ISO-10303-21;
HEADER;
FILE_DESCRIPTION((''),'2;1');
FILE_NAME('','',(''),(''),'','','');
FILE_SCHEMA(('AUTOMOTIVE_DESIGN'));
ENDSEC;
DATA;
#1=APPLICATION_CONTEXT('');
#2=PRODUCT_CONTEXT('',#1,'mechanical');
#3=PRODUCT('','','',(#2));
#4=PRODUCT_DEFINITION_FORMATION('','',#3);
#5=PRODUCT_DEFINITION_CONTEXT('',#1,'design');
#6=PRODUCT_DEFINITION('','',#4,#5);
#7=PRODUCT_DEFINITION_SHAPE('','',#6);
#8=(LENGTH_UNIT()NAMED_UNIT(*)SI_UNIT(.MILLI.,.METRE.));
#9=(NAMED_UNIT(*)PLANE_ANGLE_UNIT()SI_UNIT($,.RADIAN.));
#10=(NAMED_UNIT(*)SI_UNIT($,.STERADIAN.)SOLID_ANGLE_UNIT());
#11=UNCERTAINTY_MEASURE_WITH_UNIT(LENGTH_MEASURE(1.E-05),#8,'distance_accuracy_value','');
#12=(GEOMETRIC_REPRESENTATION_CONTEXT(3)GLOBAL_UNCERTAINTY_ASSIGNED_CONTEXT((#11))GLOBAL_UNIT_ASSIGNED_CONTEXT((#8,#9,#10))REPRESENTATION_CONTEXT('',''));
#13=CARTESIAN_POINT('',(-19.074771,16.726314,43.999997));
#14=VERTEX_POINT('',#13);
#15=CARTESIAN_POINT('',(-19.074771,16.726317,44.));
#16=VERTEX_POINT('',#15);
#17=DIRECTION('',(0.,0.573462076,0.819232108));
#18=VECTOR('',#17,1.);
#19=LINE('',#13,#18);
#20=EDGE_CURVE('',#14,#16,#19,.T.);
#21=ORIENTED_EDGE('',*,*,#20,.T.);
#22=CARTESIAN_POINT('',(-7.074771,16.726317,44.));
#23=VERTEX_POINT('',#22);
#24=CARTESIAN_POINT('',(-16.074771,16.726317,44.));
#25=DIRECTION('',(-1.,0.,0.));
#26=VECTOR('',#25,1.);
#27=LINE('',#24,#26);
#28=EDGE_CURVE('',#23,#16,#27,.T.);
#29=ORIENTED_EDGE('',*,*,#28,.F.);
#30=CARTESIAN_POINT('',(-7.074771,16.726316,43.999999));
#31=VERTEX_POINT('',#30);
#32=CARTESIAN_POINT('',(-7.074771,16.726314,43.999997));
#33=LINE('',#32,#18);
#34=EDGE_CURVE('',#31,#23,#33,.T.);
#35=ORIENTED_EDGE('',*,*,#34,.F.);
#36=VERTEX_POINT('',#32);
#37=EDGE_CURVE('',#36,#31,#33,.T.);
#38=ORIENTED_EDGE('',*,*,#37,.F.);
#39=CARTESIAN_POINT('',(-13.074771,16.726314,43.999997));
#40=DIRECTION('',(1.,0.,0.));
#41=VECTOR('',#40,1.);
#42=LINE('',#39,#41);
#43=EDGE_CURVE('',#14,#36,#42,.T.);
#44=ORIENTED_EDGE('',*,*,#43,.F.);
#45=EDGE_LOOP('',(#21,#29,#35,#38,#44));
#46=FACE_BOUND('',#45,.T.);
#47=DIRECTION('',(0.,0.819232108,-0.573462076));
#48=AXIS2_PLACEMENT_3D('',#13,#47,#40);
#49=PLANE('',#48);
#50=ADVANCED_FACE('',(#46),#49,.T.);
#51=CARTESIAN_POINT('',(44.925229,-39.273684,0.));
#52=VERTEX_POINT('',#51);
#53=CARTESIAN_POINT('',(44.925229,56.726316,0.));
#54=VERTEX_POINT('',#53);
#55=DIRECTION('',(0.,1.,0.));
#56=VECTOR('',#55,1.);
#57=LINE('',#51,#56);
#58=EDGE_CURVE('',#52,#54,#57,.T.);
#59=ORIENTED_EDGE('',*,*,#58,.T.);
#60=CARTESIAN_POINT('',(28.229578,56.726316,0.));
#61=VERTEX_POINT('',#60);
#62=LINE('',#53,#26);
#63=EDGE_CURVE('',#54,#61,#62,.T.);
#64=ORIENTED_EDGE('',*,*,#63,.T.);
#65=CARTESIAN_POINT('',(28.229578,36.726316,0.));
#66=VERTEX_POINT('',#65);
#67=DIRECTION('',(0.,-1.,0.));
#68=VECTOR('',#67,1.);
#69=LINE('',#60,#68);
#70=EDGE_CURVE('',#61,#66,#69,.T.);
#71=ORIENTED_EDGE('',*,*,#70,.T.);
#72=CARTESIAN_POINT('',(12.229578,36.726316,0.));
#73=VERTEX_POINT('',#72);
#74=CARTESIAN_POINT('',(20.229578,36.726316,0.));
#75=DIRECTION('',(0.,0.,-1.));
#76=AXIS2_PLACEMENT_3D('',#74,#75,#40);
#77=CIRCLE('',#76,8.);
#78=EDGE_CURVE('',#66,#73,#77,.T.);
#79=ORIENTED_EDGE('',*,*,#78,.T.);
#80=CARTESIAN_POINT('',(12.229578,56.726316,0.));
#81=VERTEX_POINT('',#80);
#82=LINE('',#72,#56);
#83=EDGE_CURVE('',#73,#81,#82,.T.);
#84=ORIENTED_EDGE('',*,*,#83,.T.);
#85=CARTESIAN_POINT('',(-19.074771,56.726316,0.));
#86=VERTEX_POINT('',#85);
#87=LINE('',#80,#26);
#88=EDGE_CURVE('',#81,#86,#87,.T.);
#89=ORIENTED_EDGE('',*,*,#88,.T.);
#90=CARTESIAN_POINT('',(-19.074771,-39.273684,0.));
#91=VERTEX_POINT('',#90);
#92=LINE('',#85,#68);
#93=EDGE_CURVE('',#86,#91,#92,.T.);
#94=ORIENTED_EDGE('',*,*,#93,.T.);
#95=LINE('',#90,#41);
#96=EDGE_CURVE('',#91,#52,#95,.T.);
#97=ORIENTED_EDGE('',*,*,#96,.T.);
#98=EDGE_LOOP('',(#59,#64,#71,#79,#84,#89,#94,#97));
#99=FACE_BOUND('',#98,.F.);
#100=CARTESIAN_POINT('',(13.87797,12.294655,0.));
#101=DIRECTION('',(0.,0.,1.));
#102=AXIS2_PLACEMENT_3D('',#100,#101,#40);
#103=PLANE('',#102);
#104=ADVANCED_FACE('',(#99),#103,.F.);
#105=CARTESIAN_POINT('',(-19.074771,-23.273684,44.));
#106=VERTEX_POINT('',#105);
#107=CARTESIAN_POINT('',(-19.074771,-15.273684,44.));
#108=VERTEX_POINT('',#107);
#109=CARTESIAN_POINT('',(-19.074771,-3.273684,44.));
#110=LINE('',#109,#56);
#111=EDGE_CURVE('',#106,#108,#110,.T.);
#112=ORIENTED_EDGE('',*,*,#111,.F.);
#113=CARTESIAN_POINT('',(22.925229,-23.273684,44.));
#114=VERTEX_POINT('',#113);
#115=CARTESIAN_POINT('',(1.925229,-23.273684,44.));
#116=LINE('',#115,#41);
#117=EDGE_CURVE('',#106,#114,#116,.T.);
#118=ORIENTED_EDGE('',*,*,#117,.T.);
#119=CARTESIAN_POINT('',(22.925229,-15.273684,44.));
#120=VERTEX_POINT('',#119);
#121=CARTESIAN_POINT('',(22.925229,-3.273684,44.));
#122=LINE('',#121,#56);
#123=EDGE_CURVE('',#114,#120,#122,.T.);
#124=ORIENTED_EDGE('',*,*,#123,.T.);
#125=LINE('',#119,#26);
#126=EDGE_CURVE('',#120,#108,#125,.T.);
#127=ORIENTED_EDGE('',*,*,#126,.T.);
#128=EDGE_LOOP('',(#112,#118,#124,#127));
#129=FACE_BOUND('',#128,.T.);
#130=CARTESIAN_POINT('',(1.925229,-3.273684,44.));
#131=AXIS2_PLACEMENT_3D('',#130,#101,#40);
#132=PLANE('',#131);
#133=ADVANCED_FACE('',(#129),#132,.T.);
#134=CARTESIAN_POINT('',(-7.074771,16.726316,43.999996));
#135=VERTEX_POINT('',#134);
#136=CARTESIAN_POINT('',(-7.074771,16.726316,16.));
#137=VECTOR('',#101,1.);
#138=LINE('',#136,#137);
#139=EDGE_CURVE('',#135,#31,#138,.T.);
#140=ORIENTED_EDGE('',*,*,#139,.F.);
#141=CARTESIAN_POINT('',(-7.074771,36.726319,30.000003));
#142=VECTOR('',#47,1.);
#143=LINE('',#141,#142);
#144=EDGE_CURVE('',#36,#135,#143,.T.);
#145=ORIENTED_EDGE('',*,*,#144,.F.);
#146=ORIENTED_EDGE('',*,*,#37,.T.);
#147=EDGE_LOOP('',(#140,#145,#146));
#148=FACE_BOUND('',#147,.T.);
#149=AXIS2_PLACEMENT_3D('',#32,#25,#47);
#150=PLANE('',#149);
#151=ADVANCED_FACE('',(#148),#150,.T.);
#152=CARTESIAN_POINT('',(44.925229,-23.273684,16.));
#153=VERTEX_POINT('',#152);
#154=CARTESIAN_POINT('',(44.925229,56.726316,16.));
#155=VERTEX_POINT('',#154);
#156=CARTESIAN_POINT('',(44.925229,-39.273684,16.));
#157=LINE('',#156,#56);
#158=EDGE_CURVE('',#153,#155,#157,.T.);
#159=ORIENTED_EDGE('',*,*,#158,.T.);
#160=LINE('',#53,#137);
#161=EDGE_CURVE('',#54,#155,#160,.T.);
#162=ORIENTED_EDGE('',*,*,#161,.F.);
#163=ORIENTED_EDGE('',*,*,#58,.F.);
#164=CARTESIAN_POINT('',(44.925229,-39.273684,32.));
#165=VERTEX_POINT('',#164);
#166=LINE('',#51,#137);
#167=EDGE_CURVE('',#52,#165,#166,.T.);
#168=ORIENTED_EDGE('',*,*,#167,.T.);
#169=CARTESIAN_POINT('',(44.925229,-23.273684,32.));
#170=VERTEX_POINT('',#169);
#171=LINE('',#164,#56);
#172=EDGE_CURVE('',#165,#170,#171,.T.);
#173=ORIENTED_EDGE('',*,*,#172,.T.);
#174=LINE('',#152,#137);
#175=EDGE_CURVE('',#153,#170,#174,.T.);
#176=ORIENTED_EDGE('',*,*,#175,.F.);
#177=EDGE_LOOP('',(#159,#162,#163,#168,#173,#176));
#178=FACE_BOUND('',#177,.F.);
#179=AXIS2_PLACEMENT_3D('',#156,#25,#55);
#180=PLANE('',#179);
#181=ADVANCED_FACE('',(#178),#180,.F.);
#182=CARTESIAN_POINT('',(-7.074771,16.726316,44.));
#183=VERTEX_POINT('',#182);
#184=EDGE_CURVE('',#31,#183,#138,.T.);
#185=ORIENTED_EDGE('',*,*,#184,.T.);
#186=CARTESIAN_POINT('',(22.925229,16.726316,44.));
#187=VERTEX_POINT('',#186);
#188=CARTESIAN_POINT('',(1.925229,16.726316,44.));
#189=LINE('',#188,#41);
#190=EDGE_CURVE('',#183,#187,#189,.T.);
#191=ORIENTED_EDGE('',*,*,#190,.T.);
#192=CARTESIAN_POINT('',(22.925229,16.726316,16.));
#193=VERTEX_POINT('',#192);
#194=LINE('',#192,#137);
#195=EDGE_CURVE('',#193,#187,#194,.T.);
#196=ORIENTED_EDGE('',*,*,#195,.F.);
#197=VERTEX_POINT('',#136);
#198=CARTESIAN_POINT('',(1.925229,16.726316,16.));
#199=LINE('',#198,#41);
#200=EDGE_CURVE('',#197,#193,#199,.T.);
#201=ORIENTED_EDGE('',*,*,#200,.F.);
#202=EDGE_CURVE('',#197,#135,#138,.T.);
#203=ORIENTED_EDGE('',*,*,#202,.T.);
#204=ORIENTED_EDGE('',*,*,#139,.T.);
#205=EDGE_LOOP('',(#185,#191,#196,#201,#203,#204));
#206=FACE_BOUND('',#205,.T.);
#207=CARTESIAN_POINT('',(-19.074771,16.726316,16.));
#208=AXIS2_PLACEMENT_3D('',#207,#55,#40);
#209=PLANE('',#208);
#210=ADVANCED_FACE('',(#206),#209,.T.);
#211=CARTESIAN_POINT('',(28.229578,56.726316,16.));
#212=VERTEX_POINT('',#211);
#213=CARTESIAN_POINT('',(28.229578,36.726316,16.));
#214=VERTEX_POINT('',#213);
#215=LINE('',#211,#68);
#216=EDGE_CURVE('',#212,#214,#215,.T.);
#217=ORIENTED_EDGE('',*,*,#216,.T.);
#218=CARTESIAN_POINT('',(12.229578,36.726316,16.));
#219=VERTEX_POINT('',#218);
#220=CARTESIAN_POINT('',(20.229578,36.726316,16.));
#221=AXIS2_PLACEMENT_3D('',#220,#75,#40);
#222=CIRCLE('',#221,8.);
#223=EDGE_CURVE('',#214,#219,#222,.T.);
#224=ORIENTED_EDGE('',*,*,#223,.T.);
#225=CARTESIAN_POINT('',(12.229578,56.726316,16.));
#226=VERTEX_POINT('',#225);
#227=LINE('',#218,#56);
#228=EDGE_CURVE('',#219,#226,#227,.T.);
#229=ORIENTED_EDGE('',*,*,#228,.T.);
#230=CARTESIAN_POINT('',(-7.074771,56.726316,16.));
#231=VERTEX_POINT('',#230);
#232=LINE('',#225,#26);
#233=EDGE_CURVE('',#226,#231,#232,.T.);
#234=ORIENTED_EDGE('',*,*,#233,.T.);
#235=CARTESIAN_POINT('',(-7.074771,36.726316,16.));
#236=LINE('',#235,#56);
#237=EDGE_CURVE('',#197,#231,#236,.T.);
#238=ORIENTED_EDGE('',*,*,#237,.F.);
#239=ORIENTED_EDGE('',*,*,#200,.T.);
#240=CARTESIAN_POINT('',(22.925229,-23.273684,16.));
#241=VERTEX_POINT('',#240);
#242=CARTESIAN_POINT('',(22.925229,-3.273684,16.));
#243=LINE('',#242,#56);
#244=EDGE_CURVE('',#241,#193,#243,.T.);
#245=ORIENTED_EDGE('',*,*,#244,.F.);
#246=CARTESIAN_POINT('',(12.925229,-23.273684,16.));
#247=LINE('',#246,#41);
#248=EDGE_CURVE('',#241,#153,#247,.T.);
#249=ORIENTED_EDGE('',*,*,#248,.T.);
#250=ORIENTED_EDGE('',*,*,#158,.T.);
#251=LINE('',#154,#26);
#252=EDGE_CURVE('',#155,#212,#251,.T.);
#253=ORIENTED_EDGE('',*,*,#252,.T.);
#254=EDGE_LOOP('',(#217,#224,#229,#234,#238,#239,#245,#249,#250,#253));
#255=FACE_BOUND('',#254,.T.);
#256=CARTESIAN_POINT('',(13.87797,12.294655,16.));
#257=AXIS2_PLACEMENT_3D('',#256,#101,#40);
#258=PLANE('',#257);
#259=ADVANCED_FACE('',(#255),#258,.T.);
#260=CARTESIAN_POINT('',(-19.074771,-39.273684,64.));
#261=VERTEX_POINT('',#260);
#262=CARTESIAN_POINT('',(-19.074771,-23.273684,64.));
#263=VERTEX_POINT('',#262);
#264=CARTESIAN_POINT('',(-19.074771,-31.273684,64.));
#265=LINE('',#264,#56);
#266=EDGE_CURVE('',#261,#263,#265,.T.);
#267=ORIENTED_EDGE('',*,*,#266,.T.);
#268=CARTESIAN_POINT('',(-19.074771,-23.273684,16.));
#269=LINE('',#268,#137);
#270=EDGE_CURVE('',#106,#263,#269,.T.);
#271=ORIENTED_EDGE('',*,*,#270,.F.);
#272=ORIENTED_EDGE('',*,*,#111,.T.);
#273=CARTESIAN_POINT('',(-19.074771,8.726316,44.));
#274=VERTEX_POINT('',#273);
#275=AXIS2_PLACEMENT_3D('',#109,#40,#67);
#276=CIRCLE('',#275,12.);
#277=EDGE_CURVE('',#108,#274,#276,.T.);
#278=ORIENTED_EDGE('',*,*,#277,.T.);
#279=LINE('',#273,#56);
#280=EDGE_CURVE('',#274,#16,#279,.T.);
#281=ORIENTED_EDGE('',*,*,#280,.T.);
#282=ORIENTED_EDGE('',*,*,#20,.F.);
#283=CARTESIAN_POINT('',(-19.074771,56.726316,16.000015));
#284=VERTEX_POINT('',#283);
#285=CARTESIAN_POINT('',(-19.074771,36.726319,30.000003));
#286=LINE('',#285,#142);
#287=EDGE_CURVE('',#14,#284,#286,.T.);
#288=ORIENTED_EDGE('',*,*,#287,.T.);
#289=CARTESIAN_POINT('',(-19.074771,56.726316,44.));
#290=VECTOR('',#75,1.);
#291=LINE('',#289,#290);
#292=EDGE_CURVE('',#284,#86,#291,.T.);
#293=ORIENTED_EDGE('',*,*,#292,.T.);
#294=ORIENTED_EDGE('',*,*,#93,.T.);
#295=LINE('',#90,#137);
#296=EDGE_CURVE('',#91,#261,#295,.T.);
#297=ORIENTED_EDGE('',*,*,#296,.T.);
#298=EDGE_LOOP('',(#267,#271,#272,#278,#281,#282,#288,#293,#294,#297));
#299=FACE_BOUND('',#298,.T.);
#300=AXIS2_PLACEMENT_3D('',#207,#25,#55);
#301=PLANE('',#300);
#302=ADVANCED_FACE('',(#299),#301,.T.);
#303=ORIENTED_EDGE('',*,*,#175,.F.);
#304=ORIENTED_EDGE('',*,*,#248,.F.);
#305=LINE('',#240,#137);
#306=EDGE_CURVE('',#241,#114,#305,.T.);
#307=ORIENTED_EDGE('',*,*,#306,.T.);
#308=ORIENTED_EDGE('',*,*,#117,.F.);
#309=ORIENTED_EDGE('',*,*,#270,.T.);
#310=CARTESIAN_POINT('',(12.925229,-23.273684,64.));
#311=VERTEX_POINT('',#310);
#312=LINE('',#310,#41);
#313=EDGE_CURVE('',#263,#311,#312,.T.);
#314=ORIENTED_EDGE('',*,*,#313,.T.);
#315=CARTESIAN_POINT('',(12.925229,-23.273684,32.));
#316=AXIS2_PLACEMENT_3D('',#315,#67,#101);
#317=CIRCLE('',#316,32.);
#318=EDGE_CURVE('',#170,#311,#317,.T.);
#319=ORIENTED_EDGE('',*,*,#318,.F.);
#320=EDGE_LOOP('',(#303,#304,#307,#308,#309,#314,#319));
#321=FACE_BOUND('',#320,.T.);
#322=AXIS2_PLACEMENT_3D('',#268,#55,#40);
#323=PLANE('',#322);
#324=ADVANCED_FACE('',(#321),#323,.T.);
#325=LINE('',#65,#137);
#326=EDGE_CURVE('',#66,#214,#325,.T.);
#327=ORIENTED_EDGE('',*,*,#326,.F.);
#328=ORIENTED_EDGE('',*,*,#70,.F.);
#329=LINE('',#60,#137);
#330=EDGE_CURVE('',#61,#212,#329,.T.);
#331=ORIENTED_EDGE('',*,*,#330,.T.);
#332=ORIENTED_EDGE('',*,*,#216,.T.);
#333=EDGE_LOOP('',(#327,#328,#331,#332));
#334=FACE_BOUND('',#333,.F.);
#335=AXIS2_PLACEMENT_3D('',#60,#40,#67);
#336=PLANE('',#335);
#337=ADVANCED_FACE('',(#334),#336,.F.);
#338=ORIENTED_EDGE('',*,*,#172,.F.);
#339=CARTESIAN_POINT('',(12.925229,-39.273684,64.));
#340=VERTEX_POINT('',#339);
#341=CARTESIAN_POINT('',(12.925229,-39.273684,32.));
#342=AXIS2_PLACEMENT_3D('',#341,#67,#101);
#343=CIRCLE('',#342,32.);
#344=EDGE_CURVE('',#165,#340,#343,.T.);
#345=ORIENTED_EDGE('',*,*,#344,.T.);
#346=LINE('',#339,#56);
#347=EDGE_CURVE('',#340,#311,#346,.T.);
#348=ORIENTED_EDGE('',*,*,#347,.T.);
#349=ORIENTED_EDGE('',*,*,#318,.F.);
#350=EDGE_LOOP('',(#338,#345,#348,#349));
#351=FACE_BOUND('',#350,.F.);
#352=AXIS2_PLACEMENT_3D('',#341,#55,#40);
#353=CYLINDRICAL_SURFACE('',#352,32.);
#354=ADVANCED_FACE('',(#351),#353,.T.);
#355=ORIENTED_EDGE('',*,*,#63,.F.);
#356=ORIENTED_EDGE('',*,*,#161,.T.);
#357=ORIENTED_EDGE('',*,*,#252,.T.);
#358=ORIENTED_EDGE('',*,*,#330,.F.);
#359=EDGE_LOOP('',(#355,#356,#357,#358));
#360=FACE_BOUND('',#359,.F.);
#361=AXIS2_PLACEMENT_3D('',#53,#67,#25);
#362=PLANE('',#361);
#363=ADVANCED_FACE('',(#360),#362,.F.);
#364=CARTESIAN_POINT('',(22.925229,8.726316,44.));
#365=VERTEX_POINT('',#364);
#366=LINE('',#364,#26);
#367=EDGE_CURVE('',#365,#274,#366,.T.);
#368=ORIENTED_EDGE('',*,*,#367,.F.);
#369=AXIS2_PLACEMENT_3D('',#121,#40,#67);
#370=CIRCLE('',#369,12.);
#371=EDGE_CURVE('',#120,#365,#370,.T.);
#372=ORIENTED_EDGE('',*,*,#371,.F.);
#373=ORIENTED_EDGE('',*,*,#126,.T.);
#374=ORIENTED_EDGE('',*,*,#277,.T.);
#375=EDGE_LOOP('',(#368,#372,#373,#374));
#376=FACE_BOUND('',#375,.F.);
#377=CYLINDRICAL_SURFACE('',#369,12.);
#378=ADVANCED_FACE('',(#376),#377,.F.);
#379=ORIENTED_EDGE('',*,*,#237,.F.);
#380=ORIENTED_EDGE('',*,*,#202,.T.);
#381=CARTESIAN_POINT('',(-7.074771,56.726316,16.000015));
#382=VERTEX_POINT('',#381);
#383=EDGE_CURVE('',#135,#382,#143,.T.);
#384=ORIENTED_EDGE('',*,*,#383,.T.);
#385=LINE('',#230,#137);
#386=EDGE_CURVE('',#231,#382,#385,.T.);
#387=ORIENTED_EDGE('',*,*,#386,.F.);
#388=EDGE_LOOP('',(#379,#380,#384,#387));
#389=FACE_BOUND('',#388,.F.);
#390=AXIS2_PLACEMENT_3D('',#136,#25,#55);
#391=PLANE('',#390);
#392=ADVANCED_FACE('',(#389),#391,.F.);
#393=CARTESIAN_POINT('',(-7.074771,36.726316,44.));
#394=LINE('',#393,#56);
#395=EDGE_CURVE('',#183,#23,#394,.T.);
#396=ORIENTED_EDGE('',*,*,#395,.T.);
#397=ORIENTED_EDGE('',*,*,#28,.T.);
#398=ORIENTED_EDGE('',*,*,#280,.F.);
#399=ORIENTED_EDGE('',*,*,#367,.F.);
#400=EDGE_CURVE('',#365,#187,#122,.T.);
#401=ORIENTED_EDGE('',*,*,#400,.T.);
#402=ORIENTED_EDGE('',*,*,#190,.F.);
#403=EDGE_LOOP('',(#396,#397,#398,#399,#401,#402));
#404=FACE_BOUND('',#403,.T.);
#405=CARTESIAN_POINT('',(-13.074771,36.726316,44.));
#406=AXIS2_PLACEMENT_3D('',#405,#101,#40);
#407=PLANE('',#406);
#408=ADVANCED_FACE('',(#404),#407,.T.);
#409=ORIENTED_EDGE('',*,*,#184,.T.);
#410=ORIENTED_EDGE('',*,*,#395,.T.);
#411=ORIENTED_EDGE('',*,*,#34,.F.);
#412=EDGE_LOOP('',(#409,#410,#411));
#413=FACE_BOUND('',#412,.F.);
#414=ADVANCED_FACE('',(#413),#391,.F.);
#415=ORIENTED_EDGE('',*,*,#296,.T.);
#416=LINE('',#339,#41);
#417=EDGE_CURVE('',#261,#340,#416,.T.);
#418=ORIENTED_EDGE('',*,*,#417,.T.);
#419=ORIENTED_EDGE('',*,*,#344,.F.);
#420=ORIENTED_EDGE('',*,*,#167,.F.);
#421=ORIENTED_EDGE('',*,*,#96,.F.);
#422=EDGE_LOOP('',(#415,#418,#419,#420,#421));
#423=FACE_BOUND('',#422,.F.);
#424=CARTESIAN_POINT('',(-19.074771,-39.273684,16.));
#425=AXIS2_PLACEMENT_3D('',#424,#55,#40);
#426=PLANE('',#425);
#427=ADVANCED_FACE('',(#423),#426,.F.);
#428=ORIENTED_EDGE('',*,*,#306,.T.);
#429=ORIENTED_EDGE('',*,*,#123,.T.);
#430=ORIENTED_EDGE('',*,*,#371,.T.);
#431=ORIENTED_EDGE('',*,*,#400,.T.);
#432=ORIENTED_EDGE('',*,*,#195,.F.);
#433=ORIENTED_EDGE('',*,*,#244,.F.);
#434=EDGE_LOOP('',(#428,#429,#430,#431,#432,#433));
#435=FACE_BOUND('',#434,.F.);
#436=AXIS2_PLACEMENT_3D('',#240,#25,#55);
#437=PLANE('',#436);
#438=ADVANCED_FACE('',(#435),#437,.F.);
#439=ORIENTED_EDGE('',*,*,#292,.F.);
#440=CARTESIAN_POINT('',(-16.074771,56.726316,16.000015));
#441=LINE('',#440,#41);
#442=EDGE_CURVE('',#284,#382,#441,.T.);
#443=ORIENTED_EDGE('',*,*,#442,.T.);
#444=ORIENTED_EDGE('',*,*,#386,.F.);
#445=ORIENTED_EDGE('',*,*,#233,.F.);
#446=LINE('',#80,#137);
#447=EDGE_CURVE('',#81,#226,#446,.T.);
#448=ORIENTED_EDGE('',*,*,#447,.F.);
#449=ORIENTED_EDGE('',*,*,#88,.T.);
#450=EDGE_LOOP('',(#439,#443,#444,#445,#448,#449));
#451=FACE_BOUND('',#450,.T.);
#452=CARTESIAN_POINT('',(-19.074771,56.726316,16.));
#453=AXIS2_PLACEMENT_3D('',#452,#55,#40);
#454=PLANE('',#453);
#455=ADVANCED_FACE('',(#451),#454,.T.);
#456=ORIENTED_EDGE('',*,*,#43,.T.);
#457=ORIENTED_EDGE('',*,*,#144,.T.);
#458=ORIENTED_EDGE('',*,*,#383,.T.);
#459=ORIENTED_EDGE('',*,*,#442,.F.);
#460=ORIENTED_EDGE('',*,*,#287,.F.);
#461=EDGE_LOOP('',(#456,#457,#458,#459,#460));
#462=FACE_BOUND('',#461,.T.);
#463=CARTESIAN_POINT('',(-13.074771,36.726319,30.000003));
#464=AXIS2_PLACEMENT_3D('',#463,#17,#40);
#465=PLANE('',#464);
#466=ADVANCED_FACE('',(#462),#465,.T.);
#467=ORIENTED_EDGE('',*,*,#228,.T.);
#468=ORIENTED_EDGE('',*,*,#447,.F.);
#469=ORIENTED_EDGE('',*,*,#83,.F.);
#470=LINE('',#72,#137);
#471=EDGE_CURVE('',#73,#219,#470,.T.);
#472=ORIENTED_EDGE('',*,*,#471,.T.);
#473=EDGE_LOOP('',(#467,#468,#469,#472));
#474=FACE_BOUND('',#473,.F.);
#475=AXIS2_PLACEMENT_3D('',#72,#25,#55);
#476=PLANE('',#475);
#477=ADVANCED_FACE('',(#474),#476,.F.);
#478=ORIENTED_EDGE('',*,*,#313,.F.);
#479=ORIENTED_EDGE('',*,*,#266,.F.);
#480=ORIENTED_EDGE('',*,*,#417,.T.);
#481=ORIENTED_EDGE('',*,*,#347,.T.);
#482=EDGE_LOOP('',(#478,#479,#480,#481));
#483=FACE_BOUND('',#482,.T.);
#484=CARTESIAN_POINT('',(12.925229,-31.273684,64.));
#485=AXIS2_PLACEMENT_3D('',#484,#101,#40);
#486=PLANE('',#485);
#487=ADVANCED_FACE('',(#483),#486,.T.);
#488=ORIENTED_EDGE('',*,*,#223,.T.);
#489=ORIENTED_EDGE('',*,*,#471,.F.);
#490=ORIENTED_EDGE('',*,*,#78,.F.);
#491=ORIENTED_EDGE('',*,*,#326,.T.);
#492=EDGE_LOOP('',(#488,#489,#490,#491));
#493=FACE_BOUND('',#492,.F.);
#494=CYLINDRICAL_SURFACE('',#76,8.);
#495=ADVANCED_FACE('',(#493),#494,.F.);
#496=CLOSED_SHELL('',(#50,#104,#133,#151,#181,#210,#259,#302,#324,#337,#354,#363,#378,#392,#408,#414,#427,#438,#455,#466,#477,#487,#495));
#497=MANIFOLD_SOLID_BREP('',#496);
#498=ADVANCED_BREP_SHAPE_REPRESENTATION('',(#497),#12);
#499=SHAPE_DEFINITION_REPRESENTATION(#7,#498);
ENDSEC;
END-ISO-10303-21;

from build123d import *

# Parameters (mm, degrees)
F1_DEPTH  = 16
F2_W      = 64
F2_H      = 16
F3_DEPTH  = 48
F4_R      = 32
F5_W      = 42
F5_H      = 40
F6_DEPTH  = 28
F8_DEPTH  = 50
F9_W      = 12
F9_H      = 40
F10_DEPTH = 28
F12_W     = 12
F12_H     = 48.826222
F13_DEPTH = 25


with BuildPart() as f1:
    # F0 (on Top) → F1 (new body)
    with BuildSketch(Plane.XY):
        with BuildLine():
            Line((-19.074771, -39.273684), (44.925229, -39.273684))
            Line((44.925229, -39.273684), (44.925229, 56.726316))
            Line((44.925229, 56.726316), (28.229578, 56.726316))
            Line((28.229578, 56.726316), (28.229578, 36.726316))
            ThreePointArc((28.229578, 36.726316), (20.229578, 28.726316), (12.229578, 36.726316))
            Line((12.229578, 36.726316), (12.229578, 56.726316))
            Line((12.229578, 56.726316), (-19.074771, 56.726316))
            Line((-19.074771, 56.726316), (-19.074771, -39.273684))
        make_face()
    extrude(amount=F1_DEPTH)

    # F2 (on face) → F3 (join)
    with BuildSketch(Plane.XY.offset(16)):
        with Locations((12.925229, -31.273684)):
            Rectangle(F2_W, F2_H)
    extrude(amount=F3_DEPTH)

    # F4
    f4_edges = [f1.edges().sort_by_distance(p)[0] for p in [
        (44.925229, -31.273684, 64),
    ]]
    fillet(f4_edges, radius=F4_R)

    # F5 (on face) → F6 (join)
    with BuildSketch(Plane.XY.offset(16)):
        with Locations((1.925229, -3.273684)):
            Rectangle(F5_W, F5_H)
    extrude(amount=F6_DEPTH)

    # F7 (on face) → F8 (cut)
    with BuildSketch(Plane.YZ.offset(22.925229)):
        with BuildLine():
            Line((8.726316, 44), (-15.273684, 44))
            ThreePointArc((-15.273684, 44), (-3.273684, 32), (8.726316, 44))
        make_face()
    extrude(amount=-F8_DEPTH, mode=Mode.SUBTRACT)

    # F9 (on face) → F10 (join)
    with BuildSketch(Plane.XY.offset(16)):
        with Locations((-13.074771, 36.726316)):
            Rectangle(F9_W, F9_H)
    extrude(amount=F10_DEPTH)

    # F12 (on face) → F13 (cut)
    with BuildSketch(Plane(origin=(0, 26.171742, 37.388202), x_dir=(1, 0, 0), z_dir=(0, 0.573462, 0.819232))):
        with Locations((-13.074771, 12.8835)):
            Rectangle(F12_W, F12_H)
    extrude(amount=F13_DEPTH, mode=Mode.SUBTRACT)


solid = f1.part
